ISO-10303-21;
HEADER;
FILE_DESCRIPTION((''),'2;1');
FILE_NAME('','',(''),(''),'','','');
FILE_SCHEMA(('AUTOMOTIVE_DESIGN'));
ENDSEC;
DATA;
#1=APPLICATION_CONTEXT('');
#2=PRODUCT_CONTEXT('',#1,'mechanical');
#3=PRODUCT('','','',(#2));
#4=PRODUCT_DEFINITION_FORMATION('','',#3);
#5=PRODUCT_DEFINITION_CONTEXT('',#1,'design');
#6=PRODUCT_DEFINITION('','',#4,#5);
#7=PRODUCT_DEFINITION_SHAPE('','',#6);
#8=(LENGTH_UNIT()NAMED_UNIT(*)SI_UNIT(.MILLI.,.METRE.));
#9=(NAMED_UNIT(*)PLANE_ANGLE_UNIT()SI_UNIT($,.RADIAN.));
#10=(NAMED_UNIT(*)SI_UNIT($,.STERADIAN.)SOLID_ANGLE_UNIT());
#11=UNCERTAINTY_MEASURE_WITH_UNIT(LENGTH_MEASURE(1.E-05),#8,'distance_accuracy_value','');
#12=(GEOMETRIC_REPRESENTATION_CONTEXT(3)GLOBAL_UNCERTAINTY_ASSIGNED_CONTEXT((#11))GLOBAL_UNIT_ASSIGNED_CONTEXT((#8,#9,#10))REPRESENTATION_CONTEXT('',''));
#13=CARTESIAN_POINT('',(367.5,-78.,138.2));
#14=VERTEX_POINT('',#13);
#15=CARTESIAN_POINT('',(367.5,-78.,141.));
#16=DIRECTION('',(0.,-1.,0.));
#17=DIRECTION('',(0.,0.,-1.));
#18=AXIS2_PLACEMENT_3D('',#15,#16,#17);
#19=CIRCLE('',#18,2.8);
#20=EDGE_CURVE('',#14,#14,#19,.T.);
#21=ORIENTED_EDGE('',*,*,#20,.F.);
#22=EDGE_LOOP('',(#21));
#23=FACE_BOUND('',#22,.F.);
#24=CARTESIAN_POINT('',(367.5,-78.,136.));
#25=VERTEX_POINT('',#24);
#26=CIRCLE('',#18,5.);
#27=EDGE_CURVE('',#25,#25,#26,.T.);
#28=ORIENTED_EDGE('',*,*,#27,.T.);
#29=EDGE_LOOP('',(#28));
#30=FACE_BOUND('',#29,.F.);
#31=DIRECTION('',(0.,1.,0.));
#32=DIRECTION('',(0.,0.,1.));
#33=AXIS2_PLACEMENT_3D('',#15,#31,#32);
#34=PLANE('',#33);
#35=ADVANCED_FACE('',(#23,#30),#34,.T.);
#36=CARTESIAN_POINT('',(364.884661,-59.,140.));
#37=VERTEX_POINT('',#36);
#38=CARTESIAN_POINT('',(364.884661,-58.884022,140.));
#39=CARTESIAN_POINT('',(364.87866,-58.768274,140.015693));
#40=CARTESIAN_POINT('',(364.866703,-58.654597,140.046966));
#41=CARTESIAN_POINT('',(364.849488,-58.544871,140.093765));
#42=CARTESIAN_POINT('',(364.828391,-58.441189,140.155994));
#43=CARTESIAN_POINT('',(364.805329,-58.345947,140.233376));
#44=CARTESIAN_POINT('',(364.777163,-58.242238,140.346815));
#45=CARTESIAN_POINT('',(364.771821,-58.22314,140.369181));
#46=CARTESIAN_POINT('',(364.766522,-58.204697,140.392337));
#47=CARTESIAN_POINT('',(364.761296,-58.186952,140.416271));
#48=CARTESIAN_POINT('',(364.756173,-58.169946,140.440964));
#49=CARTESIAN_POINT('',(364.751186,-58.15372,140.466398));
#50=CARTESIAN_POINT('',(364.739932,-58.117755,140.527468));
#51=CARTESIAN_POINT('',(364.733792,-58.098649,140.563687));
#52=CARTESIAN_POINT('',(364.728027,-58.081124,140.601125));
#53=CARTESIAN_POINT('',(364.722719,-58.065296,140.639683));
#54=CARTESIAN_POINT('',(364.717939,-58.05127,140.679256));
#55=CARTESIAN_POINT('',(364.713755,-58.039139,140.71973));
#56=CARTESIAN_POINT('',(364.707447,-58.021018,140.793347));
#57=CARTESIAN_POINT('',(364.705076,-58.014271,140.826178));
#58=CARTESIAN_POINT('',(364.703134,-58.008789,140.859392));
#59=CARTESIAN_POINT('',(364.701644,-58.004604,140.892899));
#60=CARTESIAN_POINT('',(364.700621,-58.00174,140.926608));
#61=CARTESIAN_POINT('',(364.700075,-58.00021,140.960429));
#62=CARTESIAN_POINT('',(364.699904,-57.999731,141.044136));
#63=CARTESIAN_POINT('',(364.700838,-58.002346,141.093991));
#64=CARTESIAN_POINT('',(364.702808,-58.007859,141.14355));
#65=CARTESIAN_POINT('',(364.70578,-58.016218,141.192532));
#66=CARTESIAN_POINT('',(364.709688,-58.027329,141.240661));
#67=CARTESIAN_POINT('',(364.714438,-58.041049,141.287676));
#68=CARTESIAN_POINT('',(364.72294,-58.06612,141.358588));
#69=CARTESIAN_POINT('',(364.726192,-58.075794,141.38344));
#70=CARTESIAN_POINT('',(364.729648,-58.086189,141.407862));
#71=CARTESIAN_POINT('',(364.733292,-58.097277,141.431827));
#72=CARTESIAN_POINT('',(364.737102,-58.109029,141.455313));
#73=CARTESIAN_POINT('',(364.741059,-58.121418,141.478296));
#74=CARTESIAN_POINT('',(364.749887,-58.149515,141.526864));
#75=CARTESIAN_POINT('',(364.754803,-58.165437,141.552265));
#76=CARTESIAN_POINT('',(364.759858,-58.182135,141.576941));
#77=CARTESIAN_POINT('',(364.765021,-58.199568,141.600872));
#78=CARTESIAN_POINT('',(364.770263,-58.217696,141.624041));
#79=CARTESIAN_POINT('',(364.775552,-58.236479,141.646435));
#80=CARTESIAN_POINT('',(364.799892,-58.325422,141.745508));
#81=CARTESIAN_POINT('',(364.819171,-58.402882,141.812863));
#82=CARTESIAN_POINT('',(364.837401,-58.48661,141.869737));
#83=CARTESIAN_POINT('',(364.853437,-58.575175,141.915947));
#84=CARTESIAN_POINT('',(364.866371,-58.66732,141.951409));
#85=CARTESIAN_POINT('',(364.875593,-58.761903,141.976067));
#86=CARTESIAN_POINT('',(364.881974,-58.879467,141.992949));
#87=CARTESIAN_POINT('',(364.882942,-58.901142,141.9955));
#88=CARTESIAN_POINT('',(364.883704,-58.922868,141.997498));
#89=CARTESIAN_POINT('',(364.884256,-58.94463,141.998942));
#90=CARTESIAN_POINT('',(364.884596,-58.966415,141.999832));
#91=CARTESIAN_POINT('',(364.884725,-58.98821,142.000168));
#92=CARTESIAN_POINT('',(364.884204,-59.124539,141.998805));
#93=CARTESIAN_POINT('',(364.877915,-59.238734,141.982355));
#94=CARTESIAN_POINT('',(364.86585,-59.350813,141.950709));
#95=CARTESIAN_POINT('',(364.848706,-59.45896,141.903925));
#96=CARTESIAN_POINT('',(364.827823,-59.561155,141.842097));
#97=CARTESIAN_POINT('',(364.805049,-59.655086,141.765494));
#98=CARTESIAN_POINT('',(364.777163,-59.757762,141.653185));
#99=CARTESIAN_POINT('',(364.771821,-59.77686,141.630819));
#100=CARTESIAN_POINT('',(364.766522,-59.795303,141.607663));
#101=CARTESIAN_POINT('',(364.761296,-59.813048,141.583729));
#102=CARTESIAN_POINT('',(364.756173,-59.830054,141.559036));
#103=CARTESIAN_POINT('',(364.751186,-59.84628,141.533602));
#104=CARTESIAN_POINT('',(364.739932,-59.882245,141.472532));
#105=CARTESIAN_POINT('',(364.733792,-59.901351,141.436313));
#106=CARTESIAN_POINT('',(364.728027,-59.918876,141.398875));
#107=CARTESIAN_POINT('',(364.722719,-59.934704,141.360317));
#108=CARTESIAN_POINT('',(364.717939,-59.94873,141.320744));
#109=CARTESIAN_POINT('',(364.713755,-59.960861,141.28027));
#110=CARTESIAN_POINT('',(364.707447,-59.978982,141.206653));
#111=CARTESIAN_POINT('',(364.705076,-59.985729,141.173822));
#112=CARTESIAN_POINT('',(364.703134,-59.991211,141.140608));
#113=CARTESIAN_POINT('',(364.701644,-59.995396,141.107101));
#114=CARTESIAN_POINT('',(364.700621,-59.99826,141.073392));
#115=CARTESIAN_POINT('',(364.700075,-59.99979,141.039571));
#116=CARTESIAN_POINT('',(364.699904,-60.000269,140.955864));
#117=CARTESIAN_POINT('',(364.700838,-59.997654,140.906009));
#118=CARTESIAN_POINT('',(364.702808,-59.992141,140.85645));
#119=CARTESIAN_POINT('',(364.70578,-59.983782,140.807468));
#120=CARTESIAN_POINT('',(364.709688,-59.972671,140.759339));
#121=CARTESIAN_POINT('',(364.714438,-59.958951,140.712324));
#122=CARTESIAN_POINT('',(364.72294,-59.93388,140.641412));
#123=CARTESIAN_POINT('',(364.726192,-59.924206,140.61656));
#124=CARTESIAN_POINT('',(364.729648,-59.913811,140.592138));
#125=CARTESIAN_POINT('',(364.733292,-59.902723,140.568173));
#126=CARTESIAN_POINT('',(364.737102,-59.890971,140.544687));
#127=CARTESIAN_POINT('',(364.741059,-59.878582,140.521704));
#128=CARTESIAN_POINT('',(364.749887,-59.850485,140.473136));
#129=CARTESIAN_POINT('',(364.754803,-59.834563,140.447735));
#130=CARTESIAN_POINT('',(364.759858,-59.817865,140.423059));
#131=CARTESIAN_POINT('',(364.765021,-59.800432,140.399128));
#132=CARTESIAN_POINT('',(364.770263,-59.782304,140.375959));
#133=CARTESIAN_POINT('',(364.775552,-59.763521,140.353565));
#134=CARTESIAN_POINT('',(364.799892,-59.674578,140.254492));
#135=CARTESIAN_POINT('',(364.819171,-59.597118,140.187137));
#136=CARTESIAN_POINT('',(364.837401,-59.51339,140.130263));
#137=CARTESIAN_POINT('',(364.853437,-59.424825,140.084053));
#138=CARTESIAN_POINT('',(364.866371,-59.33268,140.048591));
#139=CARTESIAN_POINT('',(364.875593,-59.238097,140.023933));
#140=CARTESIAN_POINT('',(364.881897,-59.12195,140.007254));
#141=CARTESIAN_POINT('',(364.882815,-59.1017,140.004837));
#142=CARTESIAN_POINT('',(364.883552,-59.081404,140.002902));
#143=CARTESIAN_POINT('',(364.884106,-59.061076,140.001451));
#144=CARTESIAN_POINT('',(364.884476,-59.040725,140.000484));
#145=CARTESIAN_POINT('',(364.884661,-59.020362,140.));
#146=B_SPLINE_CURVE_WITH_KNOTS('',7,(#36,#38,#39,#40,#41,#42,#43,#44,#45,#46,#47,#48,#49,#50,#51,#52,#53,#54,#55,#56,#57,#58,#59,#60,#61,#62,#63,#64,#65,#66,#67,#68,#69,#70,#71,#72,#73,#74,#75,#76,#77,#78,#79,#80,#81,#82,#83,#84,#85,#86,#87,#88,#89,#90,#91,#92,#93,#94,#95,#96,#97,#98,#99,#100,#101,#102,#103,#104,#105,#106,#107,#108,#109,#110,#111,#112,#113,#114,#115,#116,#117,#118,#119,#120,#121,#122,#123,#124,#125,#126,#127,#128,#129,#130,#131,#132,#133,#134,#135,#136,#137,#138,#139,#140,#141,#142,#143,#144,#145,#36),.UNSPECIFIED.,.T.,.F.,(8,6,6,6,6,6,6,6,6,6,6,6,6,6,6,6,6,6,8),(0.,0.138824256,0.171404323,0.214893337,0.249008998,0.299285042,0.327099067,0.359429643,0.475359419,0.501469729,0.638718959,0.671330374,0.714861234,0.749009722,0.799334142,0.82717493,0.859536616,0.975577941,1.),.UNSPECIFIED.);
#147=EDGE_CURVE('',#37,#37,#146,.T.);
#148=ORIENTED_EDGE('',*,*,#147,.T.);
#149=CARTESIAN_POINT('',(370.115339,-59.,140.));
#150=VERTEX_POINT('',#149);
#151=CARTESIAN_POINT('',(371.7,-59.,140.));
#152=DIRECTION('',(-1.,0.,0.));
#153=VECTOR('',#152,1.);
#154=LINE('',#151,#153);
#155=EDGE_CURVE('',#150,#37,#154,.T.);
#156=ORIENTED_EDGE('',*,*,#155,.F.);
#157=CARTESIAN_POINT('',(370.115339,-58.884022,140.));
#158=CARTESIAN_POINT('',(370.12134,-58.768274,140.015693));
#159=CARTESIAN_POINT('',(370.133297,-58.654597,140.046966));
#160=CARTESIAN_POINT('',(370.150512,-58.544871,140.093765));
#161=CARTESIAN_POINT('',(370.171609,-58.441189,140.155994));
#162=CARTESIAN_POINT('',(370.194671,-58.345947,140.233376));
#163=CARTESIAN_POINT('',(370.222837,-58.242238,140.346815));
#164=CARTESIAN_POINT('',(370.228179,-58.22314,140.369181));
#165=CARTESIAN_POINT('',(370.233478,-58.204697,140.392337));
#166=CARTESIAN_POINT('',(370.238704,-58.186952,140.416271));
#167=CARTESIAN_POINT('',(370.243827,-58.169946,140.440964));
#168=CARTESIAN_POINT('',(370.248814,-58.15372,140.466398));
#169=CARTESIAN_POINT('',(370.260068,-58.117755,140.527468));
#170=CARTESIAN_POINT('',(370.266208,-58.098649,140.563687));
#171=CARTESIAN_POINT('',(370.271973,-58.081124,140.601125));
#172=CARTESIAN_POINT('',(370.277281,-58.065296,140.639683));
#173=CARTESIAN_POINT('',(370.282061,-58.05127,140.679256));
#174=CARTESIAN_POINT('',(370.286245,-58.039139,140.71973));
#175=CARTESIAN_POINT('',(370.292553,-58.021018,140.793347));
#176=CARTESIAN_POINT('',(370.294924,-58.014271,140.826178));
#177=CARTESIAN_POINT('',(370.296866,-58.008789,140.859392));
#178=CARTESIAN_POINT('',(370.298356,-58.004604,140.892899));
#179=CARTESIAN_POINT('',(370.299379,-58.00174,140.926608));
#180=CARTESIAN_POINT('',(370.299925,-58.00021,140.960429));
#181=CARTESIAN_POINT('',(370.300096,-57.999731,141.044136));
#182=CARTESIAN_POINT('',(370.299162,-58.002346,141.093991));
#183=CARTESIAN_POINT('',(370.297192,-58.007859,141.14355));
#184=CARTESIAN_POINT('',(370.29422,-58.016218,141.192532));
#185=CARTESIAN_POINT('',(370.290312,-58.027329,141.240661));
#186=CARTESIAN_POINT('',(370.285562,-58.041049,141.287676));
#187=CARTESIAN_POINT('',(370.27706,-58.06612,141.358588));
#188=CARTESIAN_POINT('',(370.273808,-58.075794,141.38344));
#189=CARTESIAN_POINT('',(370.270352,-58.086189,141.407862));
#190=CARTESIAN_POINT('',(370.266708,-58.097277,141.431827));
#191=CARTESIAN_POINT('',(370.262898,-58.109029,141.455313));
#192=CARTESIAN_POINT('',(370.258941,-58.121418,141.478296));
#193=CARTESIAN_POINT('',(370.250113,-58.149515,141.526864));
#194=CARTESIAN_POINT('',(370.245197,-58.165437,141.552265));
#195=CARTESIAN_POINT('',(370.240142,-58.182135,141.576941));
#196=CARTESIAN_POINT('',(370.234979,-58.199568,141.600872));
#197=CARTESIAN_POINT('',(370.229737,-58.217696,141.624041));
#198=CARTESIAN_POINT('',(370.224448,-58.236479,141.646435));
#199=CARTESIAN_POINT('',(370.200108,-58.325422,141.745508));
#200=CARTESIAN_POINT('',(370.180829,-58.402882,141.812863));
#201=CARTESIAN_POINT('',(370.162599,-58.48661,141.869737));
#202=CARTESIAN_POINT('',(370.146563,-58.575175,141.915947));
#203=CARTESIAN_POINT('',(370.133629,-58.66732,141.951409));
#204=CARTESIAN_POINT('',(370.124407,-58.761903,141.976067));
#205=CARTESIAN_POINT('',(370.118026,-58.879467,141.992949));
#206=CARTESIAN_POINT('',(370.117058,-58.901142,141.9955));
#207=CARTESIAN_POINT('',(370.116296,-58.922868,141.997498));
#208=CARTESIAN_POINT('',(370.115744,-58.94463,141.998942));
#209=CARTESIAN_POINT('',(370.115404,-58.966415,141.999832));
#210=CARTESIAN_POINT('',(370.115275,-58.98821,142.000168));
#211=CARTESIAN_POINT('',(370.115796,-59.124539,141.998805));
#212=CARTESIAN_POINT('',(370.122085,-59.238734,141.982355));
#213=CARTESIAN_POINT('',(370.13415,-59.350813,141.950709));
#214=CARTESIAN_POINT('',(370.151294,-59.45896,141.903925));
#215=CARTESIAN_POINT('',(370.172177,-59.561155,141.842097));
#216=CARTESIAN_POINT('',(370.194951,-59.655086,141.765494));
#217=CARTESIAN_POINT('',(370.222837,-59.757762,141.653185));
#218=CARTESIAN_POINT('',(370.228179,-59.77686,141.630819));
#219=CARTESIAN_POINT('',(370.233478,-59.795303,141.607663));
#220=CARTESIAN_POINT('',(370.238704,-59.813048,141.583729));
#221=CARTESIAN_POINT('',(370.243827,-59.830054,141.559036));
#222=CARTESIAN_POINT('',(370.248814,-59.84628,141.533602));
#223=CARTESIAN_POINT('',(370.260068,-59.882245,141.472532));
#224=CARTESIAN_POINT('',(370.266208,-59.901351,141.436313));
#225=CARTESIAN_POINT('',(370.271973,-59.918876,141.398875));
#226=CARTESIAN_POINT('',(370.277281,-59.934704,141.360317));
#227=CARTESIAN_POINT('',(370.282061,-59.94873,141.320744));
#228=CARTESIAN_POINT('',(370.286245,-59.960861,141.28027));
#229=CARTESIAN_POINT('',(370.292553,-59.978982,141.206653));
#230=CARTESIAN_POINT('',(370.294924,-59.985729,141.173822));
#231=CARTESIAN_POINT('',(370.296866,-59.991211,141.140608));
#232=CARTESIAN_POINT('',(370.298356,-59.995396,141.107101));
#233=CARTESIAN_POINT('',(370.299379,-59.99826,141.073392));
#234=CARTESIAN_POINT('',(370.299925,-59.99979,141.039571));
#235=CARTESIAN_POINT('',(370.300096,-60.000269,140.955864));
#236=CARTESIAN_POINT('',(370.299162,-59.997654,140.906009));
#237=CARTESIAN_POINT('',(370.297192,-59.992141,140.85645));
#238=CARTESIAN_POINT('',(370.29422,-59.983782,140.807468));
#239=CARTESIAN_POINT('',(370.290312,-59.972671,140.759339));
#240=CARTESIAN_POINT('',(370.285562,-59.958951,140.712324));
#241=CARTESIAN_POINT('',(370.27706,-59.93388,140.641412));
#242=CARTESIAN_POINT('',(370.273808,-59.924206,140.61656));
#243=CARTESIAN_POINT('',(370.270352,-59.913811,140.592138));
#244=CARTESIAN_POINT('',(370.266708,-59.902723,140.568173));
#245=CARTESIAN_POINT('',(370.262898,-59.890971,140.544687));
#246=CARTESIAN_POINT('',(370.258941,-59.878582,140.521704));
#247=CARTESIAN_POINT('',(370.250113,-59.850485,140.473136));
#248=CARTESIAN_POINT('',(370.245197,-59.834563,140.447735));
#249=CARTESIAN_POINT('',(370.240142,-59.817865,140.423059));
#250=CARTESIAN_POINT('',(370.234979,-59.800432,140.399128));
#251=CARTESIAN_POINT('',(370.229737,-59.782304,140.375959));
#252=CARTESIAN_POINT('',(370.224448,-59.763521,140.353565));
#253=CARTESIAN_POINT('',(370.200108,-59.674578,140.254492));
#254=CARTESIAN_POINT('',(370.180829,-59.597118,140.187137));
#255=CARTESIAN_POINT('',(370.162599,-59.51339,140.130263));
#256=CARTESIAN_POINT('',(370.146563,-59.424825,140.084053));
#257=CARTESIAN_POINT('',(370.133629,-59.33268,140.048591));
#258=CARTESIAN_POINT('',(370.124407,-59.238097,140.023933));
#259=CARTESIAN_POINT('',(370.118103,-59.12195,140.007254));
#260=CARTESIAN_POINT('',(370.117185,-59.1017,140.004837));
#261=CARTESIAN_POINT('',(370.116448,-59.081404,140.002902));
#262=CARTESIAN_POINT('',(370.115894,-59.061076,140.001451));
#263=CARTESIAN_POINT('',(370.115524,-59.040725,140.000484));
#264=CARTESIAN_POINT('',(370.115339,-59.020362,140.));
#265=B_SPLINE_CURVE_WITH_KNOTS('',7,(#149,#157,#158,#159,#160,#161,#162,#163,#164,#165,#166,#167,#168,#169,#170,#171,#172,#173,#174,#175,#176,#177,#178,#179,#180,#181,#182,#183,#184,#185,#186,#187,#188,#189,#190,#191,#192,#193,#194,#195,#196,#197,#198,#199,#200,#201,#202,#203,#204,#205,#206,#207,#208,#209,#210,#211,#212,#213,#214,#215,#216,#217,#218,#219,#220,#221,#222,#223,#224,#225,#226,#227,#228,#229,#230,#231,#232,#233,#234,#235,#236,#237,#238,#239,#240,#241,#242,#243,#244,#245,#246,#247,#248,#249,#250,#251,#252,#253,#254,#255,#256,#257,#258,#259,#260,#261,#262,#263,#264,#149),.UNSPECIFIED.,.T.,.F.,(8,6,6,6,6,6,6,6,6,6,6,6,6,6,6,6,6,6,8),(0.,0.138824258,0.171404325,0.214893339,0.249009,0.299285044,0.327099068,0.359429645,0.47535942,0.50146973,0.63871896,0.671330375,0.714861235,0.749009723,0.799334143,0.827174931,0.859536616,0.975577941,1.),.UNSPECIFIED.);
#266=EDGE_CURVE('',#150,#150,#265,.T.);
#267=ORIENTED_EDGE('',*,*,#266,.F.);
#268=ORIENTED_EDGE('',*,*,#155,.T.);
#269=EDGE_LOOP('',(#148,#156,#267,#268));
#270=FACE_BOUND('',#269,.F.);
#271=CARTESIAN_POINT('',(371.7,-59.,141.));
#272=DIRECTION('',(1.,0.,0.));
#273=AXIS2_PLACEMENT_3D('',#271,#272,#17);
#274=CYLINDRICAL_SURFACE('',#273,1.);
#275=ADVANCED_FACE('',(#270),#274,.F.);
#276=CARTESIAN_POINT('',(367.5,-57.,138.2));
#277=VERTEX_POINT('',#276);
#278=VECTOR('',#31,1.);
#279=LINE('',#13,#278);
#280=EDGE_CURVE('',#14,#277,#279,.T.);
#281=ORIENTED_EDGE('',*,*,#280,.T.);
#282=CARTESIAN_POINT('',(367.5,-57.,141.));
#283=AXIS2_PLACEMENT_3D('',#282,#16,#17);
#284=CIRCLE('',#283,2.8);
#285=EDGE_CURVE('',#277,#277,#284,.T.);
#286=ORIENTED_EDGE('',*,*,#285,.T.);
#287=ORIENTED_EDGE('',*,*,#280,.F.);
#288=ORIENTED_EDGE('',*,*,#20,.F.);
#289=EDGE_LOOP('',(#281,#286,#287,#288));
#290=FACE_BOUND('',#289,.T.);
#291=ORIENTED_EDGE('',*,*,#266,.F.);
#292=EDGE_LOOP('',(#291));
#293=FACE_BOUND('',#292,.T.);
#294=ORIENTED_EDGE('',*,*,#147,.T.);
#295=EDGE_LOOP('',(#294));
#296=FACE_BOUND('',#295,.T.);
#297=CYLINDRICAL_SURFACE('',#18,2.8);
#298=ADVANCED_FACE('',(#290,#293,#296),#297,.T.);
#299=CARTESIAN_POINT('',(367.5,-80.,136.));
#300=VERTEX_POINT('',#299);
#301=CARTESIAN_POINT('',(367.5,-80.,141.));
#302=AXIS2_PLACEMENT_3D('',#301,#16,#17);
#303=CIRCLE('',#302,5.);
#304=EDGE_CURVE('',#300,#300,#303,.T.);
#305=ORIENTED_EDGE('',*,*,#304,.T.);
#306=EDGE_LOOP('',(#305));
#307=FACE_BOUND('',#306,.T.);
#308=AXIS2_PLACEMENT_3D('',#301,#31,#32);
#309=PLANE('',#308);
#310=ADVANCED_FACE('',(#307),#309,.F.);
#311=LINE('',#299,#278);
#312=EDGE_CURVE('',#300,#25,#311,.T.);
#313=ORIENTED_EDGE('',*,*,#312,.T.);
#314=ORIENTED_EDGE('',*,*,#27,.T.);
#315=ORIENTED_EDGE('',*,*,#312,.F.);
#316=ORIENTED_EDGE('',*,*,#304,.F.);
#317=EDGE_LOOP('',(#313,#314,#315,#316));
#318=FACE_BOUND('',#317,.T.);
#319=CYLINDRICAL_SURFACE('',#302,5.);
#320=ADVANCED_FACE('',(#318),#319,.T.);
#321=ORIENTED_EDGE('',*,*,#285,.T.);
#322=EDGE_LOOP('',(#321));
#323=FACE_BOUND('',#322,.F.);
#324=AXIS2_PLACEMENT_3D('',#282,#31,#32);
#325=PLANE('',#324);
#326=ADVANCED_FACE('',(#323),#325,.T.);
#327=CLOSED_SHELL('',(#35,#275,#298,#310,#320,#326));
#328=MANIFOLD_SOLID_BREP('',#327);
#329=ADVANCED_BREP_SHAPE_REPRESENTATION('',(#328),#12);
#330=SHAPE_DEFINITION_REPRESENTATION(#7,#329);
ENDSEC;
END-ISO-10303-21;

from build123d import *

# Parameters (mm, degrees)
SKETCH027_R                   = 1
PAD027_DEPTH                  = 10
CYLINDER038_R                 = 2.8
CYLINDER038_DEPTH             = 21
CYLINDER039_R                 = 5
CYLINDER039_DEPTH             = 2
CUT021_ROLL_ANGLE             = 90
PART_MIRRORING001_PITCH_ANGLE = 90


with BuildPart() as pad027:
    # Sketch027 → Pad027 (new body)
    with BuildSketch(Plane(origin=(0, 4.2, 21), x_dir=(1, 0, 0), z_dir=(0, -1, 0))):
        Circle(SKETCH027_R)
    extrude(amount=PAD027_DEPTH)


with BuildPart() as eje002:
    # Cylinder038 → Cylinder038 (new body)
    with BuildSketch(Plane.XY.offset(2)):
        Circle(CYLINDER038_R)
    extrude(amount=CYLINDER038_DEPTH)


with BuildPart() as eje_full002:
    # Cylinder039 → Cylinder039 (new body)
    with BuildSketch(Plane.XY):
        Circle(CYLINDER039_R)
    extrude(amount=CYLINDER039_DEPTH)

    # Fusion009003031: union Eje002
    add(eje002.part)

    # Cut021: cut Pad027
    add(pad027.part, mode=Mode.SUBTRACT)


with BuildPart() as eje_full002_1:
    # Cut021 roll: moved
    add(eje_full002.part.rotate(Axis((0, 0, 0), (1, 0, 0)), CUT021_ROLL_ANGLE))


with BuildPart() as eje_full002_2:
    # Cut021 placement: moved
    add(eje_full002_1.part.moved(Location((185, 17, 8.5))))


with BuildPart() as part_mirroring001:
    # Part__Mirroring001: instance of Eje_full002
    add(eje_full002_2.part.mirror(Plane(origin=(0, 0, 0), x_dir=(1, 0, 0), z_dir=(0, 1, 0))))


with BuildPart() as part_mirroring001_1:
    # Part__Mirroring001 pitch: moved
    add(part_mirroring001.part.rotate(Axis((0, 0, 0), (0, 1, 0)), PART_MIRRORING001_PITCH_ANGLE))


with BuildPart() as part_mirroring001_2:
    # Part__Mirroring001 placement: moved
    add(part_mirroring001_1.part.moved(Location((359, -63, 326))))


solid = part_mirroring001_2.part
